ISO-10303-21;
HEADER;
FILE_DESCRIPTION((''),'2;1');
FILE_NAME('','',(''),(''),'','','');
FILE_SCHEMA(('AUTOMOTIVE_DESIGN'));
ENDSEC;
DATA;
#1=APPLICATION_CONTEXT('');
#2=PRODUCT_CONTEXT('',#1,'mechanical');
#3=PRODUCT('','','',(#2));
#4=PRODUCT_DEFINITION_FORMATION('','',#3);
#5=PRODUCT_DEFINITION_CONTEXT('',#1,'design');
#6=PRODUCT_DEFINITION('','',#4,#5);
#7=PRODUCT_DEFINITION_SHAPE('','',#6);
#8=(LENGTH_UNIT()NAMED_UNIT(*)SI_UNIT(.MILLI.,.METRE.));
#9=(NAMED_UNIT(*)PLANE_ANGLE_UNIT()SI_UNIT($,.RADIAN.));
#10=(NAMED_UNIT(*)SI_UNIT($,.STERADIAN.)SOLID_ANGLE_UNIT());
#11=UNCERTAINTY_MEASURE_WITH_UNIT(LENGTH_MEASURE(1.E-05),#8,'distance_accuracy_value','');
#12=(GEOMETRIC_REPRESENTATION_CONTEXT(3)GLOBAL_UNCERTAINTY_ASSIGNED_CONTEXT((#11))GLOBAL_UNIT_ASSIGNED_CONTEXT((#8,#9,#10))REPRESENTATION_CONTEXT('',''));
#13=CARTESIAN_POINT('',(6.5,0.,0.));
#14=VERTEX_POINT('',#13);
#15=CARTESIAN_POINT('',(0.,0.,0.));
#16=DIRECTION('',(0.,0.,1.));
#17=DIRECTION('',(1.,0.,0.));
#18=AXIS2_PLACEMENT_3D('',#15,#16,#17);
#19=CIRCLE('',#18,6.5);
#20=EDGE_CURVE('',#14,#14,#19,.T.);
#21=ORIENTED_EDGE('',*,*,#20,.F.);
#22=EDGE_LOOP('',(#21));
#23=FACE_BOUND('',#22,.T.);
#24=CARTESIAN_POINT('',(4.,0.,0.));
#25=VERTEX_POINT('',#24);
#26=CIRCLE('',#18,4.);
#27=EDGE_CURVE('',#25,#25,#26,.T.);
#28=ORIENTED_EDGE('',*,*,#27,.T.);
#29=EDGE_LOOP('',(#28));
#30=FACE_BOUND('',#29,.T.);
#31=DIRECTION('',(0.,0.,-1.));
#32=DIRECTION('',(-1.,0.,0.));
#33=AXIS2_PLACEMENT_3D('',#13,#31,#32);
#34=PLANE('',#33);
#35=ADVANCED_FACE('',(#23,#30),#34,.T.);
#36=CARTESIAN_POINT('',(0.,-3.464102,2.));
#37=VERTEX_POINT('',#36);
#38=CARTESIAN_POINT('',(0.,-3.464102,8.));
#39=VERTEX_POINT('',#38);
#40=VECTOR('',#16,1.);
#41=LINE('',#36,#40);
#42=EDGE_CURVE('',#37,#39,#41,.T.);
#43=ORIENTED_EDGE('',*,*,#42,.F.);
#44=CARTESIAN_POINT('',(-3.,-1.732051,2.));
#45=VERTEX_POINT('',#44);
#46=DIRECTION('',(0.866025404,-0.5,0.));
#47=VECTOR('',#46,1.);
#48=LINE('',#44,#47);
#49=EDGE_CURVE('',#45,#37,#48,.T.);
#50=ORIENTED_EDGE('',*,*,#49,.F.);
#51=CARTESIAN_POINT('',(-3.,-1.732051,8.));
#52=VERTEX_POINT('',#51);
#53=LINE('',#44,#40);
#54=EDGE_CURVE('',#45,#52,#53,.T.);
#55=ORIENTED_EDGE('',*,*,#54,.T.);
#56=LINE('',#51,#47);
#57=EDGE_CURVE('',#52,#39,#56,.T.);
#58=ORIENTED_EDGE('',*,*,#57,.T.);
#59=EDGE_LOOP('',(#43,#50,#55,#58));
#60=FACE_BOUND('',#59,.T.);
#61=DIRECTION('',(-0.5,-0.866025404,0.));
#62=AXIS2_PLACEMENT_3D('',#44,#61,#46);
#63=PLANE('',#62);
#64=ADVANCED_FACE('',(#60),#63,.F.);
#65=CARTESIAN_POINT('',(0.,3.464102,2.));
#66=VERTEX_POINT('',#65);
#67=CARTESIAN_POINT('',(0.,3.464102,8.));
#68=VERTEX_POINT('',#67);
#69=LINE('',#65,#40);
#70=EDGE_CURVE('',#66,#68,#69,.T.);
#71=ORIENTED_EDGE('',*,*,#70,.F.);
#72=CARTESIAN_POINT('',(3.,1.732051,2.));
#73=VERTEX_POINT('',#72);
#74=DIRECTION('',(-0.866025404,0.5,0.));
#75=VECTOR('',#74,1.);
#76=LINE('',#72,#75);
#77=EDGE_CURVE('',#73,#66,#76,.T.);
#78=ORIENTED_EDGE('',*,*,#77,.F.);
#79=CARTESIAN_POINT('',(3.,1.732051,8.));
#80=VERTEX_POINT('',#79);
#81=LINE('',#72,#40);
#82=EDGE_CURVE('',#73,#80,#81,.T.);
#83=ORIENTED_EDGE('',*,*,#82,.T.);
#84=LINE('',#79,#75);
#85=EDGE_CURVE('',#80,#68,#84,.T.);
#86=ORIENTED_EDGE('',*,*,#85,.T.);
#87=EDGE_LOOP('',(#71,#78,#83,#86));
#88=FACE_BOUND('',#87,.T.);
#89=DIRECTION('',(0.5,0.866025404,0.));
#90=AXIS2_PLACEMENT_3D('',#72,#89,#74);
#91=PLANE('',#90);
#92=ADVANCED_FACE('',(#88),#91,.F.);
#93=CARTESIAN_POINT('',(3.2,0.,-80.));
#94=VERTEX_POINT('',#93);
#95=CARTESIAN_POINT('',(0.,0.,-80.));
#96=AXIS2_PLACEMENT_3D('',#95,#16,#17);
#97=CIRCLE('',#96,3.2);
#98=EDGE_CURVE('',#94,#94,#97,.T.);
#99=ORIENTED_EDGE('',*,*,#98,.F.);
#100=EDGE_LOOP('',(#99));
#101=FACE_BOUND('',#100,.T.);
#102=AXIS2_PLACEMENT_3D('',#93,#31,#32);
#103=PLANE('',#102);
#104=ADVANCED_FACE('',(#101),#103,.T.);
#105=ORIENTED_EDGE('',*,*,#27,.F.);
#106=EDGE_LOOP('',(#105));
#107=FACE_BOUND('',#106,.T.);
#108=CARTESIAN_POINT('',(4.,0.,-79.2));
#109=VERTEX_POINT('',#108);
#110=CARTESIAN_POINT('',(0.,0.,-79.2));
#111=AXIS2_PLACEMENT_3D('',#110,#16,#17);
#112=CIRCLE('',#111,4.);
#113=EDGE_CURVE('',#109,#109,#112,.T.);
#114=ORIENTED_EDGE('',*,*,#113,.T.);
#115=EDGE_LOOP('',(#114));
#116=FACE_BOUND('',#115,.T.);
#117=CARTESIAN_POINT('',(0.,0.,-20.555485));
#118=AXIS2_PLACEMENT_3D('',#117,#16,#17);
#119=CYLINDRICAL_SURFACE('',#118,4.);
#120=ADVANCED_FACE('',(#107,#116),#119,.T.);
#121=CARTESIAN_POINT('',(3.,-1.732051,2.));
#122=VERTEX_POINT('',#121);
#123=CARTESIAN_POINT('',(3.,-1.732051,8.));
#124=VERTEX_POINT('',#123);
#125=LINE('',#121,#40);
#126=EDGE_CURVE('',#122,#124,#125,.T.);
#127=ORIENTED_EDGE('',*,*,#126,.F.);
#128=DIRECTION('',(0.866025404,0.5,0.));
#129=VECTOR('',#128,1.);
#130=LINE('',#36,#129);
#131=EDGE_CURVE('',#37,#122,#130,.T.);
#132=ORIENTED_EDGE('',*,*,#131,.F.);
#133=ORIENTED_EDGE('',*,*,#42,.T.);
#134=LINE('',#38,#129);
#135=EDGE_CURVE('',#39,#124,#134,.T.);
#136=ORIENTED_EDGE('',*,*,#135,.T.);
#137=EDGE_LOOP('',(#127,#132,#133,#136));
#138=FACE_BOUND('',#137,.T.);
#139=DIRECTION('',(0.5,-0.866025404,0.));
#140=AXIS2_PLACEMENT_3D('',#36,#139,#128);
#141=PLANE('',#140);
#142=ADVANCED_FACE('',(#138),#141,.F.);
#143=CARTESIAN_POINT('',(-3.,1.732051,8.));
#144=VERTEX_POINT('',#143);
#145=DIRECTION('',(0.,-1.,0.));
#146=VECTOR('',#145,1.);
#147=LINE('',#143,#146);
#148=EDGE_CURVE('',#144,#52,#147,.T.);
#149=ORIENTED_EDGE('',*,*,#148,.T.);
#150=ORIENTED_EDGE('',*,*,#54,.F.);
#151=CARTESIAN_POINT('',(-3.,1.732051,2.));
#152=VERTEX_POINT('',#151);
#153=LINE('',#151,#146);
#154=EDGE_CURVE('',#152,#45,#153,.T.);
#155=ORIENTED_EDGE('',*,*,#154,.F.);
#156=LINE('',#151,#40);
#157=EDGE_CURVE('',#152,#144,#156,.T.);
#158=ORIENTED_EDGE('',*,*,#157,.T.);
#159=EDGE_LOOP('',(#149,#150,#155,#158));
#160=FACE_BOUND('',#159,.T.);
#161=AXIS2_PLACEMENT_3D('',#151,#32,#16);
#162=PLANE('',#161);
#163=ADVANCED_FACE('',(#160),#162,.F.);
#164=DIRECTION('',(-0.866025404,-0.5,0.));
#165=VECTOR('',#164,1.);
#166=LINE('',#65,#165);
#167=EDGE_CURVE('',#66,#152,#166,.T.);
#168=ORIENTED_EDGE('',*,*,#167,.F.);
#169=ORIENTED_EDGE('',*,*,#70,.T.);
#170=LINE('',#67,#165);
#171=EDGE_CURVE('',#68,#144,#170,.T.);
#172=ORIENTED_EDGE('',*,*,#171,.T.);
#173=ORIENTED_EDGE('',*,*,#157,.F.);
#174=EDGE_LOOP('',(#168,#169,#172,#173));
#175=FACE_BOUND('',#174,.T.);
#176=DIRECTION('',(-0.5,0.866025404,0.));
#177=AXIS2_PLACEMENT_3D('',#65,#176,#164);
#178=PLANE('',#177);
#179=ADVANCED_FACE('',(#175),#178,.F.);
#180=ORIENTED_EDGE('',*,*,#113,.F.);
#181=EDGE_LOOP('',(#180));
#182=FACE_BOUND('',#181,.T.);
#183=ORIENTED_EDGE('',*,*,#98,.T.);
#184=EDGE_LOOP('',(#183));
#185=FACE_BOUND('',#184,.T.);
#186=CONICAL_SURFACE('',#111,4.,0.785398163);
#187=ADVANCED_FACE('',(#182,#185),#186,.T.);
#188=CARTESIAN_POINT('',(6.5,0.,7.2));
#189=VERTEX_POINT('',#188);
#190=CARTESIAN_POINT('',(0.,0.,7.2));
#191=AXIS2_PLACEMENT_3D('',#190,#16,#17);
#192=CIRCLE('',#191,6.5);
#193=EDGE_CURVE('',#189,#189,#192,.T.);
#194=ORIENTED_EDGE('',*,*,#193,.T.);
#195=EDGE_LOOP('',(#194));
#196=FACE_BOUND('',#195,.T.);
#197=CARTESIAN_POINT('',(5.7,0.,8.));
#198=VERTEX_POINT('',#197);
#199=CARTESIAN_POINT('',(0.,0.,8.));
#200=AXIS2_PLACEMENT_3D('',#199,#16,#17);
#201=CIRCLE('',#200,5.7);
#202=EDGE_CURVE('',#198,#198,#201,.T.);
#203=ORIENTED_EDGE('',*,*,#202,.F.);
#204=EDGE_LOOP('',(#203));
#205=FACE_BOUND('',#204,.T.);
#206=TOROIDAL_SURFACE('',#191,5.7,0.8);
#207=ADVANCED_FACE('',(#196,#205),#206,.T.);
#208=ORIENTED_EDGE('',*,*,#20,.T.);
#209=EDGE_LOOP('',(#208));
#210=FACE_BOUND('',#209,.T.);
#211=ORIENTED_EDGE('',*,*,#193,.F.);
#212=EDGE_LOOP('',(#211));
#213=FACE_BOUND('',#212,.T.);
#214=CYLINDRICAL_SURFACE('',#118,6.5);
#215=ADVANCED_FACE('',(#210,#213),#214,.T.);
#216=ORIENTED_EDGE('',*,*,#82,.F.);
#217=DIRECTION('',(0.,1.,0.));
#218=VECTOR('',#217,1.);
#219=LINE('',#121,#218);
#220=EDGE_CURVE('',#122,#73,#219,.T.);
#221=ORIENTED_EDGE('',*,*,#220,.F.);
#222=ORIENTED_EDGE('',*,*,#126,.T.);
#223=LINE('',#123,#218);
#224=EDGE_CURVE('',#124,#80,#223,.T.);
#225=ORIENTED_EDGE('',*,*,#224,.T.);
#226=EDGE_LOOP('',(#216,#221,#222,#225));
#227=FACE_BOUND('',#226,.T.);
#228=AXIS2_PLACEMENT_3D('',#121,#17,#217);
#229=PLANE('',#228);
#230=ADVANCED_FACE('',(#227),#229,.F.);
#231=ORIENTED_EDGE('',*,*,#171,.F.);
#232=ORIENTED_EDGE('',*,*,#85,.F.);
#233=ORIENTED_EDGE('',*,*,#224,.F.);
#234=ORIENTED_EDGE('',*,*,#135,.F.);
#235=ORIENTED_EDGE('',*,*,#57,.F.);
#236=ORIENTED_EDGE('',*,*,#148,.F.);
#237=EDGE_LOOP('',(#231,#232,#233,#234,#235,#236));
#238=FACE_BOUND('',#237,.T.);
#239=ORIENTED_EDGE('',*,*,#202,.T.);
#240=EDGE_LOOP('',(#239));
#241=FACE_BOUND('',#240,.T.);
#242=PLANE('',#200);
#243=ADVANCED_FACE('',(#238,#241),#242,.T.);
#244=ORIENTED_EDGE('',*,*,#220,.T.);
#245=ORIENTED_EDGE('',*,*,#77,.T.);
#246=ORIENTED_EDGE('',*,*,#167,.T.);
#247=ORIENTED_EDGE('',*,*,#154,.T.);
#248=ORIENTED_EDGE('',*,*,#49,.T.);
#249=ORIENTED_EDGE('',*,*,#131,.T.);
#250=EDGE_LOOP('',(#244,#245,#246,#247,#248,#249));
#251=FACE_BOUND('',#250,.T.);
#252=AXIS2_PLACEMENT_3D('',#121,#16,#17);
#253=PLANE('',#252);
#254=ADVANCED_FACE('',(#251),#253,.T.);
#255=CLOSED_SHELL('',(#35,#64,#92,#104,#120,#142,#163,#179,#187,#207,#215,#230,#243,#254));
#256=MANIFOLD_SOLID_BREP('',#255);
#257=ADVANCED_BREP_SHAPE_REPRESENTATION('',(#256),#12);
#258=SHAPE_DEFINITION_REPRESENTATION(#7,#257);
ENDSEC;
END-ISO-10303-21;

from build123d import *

# Parameters (mm, degrees)
ODEBR_N_PROTA_EN_1_DEPTH = 6


with BuildPart() as part:
    # Skica1 → Základ-Rotační (revolve)
    with BuildSketch(Plane(origin=(0, 0, 0), x_dir=(1, 0, 0), z_dir=(0, 1, 0))):
        with BuildLine():
            Line((0, 80), (0, -8))
            Line((0, -8), (5.7, -8))
            ThreePointArc((5.7, -8), (6.265685425, -7.765685425), (6.5, -7.2))
            Line((6.5, -7.2), (6.5, 0))
            Line((6.5, 0), (4, 0))
            Line((4, 0), (4, 79.2))
            Line((4, 79.2), (3.2, 80))
            Line((3.2, 80), (0, 80))
        make_face()
    revolve(axis=Axis((0, 0, -20.555484665), (0, 0, -1)))

    # Skica2 → Odebrání-Protažení1 (cut)
    with BuildSketch(Plane.XY.offset(8)):
        Polygon((3, -1.732050808), (3, 1.732050808), (0, 3.464101615), (-3, 1.732050808), (-3, -1.732050808), (0, -3.464101615), align=None)
    extrude(amount=-ODEBR_N_PROTA_EN_1_DEPTH, mode=Mode.SUBTRACT)


solid = part.part
